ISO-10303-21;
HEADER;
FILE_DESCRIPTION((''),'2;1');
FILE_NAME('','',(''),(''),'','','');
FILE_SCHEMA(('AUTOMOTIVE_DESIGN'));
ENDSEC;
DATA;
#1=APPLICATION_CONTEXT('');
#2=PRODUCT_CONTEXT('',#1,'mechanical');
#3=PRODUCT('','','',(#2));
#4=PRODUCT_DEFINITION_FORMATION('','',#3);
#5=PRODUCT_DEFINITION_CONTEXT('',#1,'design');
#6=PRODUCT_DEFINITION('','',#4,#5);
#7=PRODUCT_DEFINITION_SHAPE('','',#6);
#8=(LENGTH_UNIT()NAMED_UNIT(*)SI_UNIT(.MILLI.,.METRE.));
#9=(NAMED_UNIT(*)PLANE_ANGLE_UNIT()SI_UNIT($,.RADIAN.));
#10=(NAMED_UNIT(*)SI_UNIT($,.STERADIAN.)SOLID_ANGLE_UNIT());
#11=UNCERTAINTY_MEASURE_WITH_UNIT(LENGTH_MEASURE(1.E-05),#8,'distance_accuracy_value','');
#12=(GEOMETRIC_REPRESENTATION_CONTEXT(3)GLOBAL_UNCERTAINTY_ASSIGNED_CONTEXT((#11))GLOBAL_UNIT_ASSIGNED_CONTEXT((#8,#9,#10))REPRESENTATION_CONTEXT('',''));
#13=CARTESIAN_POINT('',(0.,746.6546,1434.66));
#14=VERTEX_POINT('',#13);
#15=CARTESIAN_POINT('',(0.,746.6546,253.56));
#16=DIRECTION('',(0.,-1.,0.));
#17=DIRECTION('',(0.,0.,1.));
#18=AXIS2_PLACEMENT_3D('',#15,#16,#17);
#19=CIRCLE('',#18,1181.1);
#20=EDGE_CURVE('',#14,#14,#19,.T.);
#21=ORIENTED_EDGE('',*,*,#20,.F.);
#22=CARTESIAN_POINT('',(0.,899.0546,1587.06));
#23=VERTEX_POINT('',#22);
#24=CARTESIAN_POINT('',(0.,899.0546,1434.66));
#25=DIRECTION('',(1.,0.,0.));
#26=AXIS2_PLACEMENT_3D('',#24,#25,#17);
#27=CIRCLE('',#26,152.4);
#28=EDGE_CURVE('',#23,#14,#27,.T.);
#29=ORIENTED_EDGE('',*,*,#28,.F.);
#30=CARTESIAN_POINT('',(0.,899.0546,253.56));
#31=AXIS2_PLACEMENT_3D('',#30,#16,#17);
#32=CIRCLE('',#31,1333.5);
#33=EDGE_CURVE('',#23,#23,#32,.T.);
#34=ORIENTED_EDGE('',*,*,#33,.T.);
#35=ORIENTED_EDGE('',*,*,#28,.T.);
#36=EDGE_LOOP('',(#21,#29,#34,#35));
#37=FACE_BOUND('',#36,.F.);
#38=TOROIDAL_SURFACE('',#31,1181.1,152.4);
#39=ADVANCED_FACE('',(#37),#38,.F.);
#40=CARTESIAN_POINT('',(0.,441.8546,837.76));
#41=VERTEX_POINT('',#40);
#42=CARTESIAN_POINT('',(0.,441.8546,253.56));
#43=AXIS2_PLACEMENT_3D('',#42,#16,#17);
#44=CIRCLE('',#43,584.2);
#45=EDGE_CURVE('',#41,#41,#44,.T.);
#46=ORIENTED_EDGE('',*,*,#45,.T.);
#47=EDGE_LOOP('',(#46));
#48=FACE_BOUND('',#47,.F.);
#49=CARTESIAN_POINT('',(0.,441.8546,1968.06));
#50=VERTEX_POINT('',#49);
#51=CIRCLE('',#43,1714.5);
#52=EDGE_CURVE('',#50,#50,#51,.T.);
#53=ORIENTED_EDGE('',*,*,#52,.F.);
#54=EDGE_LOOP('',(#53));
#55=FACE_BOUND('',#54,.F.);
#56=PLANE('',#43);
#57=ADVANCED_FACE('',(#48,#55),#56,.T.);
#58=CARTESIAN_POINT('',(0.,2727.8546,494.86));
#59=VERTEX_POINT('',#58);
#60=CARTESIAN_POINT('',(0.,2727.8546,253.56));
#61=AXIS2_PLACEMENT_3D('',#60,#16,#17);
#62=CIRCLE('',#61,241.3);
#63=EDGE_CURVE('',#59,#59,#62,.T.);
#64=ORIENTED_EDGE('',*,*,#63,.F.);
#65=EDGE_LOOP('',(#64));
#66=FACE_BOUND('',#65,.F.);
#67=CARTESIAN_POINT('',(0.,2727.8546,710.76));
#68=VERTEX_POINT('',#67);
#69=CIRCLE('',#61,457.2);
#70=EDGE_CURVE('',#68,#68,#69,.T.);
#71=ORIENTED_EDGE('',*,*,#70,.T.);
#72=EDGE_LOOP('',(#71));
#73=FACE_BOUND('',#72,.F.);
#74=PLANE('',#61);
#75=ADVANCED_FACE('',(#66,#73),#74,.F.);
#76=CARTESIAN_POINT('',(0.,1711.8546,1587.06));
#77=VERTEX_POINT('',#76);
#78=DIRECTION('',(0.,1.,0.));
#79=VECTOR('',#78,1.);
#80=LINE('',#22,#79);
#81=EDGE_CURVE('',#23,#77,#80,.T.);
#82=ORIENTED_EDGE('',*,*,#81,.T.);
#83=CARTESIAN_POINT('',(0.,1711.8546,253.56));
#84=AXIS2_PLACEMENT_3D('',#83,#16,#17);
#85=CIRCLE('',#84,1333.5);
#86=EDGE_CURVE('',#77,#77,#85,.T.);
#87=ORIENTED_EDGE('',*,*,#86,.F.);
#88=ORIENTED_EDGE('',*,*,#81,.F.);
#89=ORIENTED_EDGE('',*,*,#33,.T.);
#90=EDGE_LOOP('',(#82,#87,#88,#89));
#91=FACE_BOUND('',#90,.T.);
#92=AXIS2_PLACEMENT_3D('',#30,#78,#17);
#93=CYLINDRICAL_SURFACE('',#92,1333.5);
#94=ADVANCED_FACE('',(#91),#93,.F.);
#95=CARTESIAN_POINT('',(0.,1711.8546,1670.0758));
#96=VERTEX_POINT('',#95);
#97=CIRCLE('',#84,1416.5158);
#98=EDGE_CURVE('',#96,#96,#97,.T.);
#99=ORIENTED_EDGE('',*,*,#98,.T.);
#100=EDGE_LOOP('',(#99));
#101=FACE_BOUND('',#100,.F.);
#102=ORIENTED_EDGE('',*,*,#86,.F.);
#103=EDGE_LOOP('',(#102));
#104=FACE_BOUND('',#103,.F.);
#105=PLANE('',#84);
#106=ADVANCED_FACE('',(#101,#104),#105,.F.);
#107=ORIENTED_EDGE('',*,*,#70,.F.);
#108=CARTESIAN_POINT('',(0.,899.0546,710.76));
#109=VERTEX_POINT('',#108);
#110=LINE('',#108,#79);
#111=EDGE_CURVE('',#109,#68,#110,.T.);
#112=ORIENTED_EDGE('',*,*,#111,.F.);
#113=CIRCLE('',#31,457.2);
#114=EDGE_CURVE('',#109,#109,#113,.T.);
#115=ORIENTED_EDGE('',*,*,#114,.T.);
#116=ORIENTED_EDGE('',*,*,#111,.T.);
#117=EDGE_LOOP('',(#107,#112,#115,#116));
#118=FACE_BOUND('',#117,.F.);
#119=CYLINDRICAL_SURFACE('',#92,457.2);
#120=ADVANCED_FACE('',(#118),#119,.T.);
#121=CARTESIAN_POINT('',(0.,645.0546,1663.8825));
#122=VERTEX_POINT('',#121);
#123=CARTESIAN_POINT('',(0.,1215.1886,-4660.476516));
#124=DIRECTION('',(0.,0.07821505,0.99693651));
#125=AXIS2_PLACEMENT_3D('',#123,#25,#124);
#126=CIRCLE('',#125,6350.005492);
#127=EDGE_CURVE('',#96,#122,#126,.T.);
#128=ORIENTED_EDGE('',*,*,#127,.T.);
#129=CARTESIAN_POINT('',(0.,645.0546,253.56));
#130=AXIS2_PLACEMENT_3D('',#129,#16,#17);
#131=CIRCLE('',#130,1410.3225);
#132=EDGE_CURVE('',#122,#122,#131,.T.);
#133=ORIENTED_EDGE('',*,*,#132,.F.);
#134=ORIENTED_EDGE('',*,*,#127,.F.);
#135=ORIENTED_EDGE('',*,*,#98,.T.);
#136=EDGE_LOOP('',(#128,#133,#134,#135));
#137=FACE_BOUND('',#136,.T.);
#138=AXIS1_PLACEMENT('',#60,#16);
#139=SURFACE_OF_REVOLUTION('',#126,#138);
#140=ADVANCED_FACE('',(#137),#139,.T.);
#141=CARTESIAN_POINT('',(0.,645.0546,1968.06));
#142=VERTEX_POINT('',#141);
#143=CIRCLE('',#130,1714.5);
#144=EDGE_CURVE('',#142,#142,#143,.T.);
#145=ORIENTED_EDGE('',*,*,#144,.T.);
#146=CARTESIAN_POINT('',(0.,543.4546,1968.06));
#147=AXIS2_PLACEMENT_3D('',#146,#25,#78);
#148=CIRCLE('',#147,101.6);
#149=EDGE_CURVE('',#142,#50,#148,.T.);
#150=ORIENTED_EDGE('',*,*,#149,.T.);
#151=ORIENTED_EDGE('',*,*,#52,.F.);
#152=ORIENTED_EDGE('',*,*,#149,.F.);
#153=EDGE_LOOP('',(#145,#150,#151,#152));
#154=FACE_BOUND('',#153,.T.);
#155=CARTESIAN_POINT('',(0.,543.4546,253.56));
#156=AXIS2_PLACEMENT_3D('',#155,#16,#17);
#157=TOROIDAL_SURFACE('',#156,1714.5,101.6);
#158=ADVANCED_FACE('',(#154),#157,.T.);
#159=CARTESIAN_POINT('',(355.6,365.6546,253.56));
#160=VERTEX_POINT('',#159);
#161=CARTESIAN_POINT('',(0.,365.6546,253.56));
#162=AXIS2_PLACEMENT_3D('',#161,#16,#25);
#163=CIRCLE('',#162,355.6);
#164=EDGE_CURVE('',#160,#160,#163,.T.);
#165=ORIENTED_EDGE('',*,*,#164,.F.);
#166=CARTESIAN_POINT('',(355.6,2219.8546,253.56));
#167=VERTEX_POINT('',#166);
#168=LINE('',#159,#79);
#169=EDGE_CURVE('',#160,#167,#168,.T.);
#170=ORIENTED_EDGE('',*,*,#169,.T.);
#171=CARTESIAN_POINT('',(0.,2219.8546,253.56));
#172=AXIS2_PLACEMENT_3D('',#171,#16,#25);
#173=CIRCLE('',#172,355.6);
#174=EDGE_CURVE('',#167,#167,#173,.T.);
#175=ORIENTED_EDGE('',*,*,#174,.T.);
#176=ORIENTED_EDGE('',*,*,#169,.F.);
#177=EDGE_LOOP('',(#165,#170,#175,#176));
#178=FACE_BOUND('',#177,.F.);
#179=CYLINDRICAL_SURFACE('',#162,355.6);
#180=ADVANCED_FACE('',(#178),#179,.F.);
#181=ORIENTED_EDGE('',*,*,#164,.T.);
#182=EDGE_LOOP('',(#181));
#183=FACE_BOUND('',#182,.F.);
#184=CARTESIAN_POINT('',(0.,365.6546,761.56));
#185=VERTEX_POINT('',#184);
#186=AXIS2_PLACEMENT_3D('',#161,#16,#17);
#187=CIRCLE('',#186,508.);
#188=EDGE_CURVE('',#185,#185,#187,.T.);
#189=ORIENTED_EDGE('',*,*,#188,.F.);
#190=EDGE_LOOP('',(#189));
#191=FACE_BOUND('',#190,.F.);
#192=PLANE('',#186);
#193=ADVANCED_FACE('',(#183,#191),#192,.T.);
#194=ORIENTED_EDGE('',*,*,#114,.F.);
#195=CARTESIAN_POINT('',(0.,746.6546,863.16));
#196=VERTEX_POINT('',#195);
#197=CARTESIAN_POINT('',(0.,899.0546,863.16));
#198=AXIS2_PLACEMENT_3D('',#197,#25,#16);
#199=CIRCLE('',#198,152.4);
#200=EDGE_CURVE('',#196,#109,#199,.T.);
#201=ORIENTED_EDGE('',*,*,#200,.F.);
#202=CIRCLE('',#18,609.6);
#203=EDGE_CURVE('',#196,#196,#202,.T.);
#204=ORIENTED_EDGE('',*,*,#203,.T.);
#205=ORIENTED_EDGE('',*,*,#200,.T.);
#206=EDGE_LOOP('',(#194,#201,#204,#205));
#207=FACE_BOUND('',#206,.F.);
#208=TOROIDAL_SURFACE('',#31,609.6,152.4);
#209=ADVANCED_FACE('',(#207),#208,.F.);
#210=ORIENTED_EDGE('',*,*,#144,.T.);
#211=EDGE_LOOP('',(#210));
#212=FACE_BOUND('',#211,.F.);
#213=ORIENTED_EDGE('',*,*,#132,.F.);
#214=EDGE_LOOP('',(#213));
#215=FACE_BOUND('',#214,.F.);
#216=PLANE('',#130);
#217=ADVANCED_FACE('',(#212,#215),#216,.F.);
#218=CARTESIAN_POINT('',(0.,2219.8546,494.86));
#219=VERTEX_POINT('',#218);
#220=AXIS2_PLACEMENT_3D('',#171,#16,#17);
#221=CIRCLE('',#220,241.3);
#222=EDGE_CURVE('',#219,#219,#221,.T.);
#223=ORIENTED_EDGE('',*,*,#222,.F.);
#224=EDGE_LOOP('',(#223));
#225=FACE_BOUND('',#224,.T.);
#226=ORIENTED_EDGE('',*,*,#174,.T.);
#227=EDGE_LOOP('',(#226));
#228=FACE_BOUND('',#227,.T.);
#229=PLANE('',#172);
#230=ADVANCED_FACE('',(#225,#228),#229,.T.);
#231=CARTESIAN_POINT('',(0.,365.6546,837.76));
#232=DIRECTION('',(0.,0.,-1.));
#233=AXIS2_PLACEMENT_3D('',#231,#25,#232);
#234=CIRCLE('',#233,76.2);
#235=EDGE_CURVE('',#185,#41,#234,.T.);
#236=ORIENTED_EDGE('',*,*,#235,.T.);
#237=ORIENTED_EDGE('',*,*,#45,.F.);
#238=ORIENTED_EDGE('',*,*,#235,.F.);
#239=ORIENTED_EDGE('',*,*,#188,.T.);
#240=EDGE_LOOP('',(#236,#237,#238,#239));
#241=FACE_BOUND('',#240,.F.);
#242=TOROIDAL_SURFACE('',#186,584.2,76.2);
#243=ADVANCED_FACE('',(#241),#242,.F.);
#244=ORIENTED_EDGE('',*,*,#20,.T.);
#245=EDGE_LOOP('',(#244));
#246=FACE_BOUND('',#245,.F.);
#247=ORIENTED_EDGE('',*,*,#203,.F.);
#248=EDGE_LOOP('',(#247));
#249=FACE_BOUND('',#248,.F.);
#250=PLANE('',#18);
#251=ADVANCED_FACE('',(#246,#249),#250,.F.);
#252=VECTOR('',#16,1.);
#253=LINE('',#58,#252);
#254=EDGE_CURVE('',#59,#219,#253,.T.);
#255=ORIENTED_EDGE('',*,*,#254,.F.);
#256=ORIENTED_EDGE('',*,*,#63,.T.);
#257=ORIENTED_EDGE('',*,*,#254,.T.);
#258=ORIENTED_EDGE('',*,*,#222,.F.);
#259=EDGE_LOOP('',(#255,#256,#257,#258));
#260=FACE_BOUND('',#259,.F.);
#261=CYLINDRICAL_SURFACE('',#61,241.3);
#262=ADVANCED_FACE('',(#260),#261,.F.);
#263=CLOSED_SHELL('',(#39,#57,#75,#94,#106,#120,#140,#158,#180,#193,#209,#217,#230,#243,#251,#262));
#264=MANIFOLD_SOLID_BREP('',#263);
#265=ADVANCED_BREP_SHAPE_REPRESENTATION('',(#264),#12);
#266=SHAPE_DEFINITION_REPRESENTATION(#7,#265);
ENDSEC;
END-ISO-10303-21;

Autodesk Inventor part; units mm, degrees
ref_plane "YZ Plane" through (0, 0, 0) normal (1, 0, 0) x (0, 1, 0)
ref_plane "XZ Plane" through (0, 0, 0) normal (0, 1, 0) x (-1, 0, 0)
ref_plane "XY Plane" through (0, 0, 0) normal (0, 0, 1) x (1, 0, 0)
sketch "Sketch1" plane through (0, 0, 0) normal (1, 0, 0) x (0, 1, 0)
  line L0 (365.6546, 253.56) -> (365.6546, 761.56)
  line L1 (365.6546, 761.56) -> (365.6546, 761.56)
  line L2 (441.8546, 837.76) -> (441.8546, 1968.06)
  line L3 (645.0546, 1968.06) -> (645.0546, 1663.8825)
  line L4 (1711.8546, 1670.0758) -> (1711.8546, 710.76)
  line L5 (899.0546, 710.76) -> (2727.8546, 710.76)
  line L6 (2727.8546, 710.76) -> (2727.8546, 253.56)
  line L7 (365.6546, 253.56) -> (2219.8546, 253.56)
  line L8 (2727.8546, 253.56) -> (2219.8546, 253.56)
  line L9 (2727.8546, 494.86) -> (2219.8546, 494.86)
  line L10 (2219.8546, 253.56) -> (2219.8546, 494.86)
  arc A0 (645.0546, 1968.06) -> (441.8546, 1968.06) centre (543.4546, 1968.06) ccw
  line L11 (899.0546, 1587.06) -> (1711.8546, 1587.06)
  line L12 (746.6546, 1434.66) -> (746.6546, 863.16)
  arc A1 (899.0546, 1587.06) -> (746.6546, 1434.66) centre (899.0546, 1434.66) ccw
  arc A2 (746.6546, 863.16) -> (899.0546, 710.76) centre (899.0546, 863.16) ccw
  arc A3 (1711.8546, 1670.0758) -> (645.0546, 1663.8825) centre (1215.1888, -4660.471) ccw
  arc A4 (365.6546, 761.56) -> (441.8546, 837.76) centre (365.6546, 837.76) ccw
  point P0 (0, 0)
  point P1 (543.4546, 2069.66)
  point P2 (1178.3243, 1689.422)
  dimension "d0" = 914.4
  dimension "d3" = 1016
  dimension "d5" = 2362.2
  dimension "d6" = 1854.2
  dimension "d8" = 76.2
  dimension "d10" = 203.2
  dimension "d11" = 482.6
  dimension "d12" = 3632.2
  dimension "d13" = 2667
  dimension "d14" = 304.8
  dimension "d15" = 152.4
  dimension "d18" = 6350
  dimension "d19" = 2871.724
  dimension "d20" = 365.6546
  dimension "d21" = 253.56
  dimension "d23" = 76.2
  dimension "d26" = 2833.0317
  dimension "d31" = 1270
revolve "Revolution1" add sketch "Sketch1" angle 360 about axis through (0, 2727.8546, 253.56) along (0, -1, 0) contours L0 A4 L2 A0 L3 A3 L4 L11 A1 L12 A2 L5 L6 L9 L10 L7
sketch "Sketch2" plane through (0, 365.6546, 253.56) normal (0, -1, 0) x (1, 0, 0)
  circle A0 centre (0, 0) radius 241.3 projected
  circle A1 centre (0, 0) radius 355.6
  dimension "d28" = 711.2
extrude "Extrusion1" cut sketch "Sketch2" against normal blind 1854.2 contours A0 | A1
properties part number "kumar_Pully" material "Steel"
